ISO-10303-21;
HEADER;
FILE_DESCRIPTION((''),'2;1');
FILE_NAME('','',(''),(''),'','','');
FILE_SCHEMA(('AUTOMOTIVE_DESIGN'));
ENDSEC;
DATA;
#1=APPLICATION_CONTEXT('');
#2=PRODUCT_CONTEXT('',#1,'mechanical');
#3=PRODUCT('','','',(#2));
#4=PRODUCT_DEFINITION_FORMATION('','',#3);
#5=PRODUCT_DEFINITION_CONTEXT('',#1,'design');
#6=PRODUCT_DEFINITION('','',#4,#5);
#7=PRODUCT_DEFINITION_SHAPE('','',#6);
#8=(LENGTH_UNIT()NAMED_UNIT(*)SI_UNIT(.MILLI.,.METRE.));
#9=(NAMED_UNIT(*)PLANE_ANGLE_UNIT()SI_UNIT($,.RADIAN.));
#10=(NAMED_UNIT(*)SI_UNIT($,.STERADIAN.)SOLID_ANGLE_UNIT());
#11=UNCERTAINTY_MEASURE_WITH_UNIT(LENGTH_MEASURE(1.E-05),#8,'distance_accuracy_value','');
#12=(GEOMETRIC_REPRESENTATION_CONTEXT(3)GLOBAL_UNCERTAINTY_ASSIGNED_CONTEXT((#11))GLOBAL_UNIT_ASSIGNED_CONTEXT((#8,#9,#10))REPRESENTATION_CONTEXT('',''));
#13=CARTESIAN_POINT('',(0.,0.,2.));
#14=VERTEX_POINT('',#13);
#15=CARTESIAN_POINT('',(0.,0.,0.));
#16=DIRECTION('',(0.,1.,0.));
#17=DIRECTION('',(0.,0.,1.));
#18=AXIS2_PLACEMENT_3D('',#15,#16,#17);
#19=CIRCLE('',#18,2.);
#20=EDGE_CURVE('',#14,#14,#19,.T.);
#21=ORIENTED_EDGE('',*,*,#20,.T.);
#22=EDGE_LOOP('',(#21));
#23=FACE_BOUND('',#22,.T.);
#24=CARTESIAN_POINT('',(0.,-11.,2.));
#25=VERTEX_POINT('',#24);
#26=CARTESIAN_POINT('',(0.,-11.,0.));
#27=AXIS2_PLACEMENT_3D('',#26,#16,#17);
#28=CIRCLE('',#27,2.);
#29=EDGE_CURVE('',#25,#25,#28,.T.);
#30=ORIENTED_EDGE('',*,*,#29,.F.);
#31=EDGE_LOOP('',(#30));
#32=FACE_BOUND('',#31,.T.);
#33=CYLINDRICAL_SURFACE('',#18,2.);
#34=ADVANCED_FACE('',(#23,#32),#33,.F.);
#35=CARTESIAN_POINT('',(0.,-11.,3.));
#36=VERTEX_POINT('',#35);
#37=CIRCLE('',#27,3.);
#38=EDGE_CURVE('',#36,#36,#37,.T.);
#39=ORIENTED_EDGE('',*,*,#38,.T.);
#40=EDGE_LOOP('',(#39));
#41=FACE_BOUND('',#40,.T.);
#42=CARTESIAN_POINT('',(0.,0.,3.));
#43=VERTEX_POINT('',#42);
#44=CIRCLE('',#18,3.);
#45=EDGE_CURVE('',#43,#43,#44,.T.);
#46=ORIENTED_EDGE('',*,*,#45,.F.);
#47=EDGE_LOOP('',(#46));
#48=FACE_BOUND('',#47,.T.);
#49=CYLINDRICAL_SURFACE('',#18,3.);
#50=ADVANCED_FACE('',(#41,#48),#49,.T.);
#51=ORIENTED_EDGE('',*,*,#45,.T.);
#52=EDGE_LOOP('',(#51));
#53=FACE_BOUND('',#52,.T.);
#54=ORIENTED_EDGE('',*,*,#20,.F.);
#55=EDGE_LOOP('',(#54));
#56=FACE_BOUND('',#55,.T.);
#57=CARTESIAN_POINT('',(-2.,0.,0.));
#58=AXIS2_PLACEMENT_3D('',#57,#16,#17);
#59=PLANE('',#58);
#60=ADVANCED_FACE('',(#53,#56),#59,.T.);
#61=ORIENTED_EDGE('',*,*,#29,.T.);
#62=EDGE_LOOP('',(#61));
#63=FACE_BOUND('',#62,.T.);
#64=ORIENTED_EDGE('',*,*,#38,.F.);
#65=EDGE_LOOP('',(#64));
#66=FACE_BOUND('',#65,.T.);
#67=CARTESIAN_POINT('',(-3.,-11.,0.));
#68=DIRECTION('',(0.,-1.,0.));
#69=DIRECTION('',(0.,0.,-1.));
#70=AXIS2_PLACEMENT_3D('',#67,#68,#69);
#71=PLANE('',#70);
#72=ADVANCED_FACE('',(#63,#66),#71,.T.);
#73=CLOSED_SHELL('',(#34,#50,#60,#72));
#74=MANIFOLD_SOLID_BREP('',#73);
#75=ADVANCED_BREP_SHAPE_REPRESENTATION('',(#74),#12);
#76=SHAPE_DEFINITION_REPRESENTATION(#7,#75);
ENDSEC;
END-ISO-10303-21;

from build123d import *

# Parameters (mm, degrees)
SKETCH1_W = 1
SKETCH1_H = 11


with BuildPart() as part:
    # Sketch1 → Revolve1 (revolve)
    with BuildSketch(Plane.XY, mode=Mode.PRIVATE) as revolve1_sk:
        with Locations((-2.5, -5.5)):
            Rectangle(SKETCH1_W, SKETCH1_H)
    revolve(revolve1_sk.sketch.rotate(Axis((0, 0, 0), (0, -1, 0)), 270), axis=Axis((0, 0, 0), (0, -1, 0)))


solid = part.part
